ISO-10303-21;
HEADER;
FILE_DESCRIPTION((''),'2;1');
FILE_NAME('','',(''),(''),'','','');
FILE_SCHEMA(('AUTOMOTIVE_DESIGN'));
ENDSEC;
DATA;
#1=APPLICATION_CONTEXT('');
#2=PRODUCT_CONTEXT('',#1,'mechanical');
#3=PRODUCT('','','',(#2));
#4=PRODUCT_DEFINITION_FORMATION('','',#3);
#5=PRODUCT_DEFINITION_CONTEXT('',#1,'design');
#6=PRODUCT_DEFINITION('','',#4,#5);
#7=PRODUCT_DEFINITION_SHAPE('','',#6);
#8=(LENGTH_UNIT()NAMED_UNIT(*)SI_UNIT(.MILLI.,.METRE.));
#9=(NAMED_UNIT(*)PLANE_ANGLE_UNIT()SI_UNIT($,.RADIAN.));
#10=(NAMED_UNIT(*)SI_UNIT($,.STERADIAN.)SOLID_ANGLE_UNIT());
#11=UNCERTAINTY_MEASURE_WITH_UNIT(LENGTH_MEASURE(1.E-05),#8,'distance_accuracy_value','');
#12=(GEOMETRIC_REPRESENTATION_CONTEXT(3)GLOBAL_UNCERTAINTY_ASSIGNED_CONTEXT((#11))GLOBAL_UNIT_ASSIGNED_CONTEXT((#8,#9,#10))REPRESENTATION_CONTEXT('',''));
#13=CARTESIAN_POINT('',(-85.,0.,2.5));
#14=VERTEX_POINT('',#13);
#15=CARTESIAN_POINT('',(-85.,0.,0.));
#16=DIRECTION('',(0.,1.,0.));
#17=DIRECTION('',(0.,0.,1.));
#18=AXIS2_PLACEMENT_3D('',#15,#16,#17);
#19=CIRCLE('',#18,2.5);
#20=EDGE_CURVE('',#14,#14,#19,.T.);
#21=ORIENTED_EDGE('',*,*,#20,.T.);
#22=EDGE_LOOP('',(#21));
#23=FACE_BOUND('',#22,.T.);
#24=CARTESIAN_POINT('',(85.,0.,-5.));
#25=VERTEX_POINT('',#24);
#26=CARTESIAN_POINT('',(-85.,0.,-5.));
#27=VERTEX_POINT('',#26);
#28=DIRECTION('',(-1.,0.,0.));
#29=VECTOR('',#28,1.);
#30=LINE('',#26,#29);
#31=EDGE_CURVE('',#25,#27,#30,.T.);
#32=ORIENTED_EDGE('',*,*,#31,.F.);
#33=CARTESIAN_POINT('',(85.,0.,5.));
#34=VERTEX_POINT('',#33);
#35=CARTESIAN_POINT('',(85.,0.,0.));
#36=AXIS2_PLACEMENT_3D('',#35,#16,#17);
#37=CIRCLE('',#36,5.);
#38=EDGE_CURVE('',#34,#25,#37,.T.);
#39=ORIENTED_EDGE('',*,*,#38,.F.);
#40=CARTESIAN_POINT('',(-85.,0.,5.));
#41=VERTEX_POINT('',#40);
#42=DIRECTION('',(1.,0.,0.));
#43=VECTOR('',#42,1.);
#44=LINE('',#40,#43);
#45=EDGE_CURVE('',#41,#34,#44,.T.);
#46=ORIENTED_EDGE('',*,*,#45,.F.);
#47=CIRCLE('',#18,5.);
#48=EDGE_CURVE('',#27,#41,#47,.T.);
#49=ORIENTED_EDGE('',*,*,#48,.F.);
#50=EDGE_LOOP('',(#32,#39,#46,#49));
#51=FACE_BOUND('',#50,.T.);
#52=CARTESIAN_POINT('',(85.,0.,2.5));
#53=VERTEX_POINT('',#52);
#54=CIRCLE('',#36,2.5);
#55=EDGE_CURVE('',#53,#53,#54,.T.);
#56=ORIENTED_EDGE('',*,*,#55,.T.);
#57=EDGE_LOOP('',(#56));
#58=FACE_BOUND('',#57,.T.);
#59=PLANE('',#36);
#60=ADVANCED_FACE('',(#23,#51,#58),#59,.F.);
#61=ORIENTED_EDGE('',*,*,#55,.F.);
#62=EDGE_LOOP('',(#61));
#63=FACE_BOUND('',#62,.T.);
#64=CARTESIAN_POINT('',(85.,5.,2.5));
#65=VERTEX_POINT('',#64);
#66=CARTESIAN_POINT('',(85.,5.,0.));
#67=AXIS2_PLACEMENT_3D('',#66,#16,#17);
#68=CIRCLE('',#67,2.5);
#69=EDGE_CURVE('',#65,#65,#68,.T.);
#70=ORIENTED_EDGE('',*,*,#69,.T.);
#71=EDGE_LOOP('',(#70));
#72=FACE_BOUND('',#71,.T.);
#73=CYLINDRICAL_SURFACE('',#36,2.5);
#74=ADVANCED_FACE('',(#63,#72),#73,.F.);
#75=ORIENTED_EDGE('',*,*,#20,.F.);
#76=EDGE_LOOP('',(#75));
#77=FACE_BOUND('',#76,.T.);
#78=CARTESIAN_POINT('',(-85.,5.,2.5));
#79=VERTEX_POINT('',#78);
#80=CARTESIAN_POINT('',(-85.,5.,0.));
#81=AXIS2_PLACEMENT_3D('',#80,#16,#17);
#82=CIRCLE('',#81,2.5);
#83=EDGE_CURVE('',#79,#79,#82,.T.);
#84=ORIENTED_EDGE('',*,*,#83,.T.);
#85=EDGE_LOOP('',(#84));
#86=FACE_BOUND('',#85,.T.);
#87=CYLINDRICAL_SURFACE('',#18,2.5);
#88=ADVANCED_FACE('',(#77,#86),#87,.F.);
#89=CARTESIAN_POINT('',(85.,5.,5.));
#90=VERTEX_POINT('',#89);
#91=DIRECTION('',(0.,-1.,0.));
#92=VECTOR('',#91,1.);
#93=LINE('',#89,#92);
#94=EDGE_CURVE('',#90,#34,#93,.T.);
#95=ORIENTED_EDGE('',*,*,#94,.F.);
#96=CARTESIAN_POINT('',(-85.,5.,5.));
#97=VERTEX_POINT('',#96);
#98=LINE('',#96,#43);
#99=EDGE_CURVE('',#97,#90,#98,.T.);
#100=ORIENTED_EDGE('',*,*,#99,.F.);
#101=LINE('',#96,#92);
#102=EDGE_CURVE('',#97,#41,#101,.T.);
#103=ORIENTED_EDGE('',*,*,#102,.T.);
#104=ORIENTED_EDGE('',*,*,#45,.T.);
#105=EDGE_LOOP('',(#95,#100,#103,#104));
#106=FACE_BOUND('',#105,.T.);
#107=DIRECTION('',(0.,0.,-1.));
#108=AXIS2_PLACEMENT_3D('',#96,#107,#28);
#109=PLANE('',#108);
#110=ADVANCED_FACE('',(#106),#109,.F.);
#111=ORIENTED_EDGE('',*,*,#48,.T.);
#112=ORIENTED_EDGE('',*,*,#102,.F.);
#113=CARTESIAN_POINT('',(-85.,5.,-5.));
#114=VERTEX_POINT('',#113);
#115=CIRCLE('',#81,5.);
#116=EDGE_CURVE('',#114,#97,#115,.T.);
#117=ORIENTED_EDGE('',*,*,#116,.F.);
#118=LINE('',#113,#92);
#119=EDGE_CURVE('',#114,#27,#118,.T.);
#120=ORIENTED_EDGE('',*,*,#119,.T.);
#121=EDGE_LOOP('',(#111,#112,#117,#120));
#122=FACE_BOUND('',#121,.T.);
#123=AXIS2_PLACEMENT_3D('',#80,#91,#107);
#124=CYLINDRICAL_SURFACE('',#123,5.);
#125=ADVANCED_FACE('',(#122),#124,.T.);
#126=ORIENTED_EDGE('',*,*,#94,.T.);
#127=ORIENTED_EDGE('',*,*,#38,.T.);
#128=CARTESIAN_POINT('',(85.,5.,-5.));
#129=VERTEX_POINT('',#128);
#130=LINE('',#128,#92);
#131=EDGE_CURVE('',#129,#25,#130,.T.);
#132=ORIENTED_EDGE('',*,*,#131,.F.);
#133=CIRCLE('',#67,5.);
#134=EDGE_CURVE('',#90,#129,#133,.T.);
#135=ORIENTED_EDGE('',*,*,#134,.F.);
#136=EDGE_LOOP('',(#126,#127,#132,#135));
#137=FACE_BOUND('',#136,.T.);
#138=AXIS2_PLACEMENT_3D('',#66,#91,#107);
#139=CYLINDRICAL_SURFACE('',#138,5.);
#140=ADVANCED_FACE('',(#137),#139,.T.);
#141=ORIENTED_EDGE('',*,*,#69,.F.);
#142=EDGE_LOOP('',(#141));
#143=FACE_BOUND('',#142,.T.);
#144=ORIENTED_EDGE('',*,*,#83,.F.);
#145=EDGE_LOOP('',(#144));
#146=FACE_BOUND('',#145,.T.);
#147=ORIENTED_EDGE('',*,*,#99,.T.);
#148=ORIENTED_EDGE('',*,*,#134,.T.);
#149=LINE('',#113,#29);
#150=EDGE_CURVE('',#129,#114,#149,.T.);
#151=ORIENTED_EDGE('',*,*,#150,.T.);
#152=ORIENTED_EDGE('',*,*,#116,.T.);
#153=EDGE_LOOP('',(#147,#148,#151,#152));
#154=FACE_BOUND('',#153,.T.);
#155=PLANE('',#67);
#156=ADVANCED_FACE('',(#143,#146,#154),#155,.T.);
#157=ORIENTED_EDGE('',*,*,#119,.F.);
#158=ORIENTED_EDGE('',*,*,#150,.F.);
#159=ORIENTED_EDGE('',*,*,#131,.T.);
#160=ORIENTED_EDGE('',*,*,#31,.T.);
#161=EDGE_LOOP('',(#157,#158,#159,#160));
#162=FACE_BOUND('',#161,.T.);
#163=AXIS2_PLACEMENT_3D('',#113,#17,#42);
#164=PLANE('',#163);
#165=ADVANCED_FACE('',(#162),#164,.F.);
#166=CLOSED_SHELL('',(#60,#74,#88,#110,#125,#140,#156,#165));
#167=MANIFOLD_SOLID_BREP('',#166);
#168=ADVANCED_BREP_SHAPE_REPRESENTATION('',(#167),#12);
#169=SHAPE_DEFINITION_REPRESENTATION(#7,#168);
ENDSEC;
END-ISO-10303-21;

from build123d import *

# Parameters (mm, degrees)
BOSS_EXTRUDE1_DEPTH = 5
SKETCH2_R           = 2.5
CUT_EXTRUDE1_DEPTH  = 91.277350426


with BuildPart() as part:
    # Sketch1 → Boss-Extrude1 (new body)
    with BuildSketch(Plane(origin=(0, 0, 0), x_dir=(1, 0, 0), z_dir=(0, 1, 0))):
        with BuildLine():
            Line((-85, 5), (85, 5))
            ThreePointArc((85, 5), (90, 0), (85, -5))
            Line((85, -5), (-85, -5))
            ThreePointArc((-85, -5), (-90, 0), (-85, 5))
        make_face()
    extrude(amount=BOSS_EXTRUDE1_DEPTH)

    # Sketch2 → Cut-Extrude1 (cut, through all)
    with BuildSketch(Plane(origin=(0, 5, 0), x_dir=(1, 0, 0), z_dir=(0, 1, 0))):
        with Locations(Location((-85, 0, 0), (0, 0, 270))):
            Circle(SKETCH2_R)
        with Locations(Location((85, 0, 0), (0, 0, 270))):
            Circle(SKETCH2_R)
    extrude(amount=-CUT_EXTRUDE1_DEPTH, mode=Mode.SUBTRACT)


solid = part.part
